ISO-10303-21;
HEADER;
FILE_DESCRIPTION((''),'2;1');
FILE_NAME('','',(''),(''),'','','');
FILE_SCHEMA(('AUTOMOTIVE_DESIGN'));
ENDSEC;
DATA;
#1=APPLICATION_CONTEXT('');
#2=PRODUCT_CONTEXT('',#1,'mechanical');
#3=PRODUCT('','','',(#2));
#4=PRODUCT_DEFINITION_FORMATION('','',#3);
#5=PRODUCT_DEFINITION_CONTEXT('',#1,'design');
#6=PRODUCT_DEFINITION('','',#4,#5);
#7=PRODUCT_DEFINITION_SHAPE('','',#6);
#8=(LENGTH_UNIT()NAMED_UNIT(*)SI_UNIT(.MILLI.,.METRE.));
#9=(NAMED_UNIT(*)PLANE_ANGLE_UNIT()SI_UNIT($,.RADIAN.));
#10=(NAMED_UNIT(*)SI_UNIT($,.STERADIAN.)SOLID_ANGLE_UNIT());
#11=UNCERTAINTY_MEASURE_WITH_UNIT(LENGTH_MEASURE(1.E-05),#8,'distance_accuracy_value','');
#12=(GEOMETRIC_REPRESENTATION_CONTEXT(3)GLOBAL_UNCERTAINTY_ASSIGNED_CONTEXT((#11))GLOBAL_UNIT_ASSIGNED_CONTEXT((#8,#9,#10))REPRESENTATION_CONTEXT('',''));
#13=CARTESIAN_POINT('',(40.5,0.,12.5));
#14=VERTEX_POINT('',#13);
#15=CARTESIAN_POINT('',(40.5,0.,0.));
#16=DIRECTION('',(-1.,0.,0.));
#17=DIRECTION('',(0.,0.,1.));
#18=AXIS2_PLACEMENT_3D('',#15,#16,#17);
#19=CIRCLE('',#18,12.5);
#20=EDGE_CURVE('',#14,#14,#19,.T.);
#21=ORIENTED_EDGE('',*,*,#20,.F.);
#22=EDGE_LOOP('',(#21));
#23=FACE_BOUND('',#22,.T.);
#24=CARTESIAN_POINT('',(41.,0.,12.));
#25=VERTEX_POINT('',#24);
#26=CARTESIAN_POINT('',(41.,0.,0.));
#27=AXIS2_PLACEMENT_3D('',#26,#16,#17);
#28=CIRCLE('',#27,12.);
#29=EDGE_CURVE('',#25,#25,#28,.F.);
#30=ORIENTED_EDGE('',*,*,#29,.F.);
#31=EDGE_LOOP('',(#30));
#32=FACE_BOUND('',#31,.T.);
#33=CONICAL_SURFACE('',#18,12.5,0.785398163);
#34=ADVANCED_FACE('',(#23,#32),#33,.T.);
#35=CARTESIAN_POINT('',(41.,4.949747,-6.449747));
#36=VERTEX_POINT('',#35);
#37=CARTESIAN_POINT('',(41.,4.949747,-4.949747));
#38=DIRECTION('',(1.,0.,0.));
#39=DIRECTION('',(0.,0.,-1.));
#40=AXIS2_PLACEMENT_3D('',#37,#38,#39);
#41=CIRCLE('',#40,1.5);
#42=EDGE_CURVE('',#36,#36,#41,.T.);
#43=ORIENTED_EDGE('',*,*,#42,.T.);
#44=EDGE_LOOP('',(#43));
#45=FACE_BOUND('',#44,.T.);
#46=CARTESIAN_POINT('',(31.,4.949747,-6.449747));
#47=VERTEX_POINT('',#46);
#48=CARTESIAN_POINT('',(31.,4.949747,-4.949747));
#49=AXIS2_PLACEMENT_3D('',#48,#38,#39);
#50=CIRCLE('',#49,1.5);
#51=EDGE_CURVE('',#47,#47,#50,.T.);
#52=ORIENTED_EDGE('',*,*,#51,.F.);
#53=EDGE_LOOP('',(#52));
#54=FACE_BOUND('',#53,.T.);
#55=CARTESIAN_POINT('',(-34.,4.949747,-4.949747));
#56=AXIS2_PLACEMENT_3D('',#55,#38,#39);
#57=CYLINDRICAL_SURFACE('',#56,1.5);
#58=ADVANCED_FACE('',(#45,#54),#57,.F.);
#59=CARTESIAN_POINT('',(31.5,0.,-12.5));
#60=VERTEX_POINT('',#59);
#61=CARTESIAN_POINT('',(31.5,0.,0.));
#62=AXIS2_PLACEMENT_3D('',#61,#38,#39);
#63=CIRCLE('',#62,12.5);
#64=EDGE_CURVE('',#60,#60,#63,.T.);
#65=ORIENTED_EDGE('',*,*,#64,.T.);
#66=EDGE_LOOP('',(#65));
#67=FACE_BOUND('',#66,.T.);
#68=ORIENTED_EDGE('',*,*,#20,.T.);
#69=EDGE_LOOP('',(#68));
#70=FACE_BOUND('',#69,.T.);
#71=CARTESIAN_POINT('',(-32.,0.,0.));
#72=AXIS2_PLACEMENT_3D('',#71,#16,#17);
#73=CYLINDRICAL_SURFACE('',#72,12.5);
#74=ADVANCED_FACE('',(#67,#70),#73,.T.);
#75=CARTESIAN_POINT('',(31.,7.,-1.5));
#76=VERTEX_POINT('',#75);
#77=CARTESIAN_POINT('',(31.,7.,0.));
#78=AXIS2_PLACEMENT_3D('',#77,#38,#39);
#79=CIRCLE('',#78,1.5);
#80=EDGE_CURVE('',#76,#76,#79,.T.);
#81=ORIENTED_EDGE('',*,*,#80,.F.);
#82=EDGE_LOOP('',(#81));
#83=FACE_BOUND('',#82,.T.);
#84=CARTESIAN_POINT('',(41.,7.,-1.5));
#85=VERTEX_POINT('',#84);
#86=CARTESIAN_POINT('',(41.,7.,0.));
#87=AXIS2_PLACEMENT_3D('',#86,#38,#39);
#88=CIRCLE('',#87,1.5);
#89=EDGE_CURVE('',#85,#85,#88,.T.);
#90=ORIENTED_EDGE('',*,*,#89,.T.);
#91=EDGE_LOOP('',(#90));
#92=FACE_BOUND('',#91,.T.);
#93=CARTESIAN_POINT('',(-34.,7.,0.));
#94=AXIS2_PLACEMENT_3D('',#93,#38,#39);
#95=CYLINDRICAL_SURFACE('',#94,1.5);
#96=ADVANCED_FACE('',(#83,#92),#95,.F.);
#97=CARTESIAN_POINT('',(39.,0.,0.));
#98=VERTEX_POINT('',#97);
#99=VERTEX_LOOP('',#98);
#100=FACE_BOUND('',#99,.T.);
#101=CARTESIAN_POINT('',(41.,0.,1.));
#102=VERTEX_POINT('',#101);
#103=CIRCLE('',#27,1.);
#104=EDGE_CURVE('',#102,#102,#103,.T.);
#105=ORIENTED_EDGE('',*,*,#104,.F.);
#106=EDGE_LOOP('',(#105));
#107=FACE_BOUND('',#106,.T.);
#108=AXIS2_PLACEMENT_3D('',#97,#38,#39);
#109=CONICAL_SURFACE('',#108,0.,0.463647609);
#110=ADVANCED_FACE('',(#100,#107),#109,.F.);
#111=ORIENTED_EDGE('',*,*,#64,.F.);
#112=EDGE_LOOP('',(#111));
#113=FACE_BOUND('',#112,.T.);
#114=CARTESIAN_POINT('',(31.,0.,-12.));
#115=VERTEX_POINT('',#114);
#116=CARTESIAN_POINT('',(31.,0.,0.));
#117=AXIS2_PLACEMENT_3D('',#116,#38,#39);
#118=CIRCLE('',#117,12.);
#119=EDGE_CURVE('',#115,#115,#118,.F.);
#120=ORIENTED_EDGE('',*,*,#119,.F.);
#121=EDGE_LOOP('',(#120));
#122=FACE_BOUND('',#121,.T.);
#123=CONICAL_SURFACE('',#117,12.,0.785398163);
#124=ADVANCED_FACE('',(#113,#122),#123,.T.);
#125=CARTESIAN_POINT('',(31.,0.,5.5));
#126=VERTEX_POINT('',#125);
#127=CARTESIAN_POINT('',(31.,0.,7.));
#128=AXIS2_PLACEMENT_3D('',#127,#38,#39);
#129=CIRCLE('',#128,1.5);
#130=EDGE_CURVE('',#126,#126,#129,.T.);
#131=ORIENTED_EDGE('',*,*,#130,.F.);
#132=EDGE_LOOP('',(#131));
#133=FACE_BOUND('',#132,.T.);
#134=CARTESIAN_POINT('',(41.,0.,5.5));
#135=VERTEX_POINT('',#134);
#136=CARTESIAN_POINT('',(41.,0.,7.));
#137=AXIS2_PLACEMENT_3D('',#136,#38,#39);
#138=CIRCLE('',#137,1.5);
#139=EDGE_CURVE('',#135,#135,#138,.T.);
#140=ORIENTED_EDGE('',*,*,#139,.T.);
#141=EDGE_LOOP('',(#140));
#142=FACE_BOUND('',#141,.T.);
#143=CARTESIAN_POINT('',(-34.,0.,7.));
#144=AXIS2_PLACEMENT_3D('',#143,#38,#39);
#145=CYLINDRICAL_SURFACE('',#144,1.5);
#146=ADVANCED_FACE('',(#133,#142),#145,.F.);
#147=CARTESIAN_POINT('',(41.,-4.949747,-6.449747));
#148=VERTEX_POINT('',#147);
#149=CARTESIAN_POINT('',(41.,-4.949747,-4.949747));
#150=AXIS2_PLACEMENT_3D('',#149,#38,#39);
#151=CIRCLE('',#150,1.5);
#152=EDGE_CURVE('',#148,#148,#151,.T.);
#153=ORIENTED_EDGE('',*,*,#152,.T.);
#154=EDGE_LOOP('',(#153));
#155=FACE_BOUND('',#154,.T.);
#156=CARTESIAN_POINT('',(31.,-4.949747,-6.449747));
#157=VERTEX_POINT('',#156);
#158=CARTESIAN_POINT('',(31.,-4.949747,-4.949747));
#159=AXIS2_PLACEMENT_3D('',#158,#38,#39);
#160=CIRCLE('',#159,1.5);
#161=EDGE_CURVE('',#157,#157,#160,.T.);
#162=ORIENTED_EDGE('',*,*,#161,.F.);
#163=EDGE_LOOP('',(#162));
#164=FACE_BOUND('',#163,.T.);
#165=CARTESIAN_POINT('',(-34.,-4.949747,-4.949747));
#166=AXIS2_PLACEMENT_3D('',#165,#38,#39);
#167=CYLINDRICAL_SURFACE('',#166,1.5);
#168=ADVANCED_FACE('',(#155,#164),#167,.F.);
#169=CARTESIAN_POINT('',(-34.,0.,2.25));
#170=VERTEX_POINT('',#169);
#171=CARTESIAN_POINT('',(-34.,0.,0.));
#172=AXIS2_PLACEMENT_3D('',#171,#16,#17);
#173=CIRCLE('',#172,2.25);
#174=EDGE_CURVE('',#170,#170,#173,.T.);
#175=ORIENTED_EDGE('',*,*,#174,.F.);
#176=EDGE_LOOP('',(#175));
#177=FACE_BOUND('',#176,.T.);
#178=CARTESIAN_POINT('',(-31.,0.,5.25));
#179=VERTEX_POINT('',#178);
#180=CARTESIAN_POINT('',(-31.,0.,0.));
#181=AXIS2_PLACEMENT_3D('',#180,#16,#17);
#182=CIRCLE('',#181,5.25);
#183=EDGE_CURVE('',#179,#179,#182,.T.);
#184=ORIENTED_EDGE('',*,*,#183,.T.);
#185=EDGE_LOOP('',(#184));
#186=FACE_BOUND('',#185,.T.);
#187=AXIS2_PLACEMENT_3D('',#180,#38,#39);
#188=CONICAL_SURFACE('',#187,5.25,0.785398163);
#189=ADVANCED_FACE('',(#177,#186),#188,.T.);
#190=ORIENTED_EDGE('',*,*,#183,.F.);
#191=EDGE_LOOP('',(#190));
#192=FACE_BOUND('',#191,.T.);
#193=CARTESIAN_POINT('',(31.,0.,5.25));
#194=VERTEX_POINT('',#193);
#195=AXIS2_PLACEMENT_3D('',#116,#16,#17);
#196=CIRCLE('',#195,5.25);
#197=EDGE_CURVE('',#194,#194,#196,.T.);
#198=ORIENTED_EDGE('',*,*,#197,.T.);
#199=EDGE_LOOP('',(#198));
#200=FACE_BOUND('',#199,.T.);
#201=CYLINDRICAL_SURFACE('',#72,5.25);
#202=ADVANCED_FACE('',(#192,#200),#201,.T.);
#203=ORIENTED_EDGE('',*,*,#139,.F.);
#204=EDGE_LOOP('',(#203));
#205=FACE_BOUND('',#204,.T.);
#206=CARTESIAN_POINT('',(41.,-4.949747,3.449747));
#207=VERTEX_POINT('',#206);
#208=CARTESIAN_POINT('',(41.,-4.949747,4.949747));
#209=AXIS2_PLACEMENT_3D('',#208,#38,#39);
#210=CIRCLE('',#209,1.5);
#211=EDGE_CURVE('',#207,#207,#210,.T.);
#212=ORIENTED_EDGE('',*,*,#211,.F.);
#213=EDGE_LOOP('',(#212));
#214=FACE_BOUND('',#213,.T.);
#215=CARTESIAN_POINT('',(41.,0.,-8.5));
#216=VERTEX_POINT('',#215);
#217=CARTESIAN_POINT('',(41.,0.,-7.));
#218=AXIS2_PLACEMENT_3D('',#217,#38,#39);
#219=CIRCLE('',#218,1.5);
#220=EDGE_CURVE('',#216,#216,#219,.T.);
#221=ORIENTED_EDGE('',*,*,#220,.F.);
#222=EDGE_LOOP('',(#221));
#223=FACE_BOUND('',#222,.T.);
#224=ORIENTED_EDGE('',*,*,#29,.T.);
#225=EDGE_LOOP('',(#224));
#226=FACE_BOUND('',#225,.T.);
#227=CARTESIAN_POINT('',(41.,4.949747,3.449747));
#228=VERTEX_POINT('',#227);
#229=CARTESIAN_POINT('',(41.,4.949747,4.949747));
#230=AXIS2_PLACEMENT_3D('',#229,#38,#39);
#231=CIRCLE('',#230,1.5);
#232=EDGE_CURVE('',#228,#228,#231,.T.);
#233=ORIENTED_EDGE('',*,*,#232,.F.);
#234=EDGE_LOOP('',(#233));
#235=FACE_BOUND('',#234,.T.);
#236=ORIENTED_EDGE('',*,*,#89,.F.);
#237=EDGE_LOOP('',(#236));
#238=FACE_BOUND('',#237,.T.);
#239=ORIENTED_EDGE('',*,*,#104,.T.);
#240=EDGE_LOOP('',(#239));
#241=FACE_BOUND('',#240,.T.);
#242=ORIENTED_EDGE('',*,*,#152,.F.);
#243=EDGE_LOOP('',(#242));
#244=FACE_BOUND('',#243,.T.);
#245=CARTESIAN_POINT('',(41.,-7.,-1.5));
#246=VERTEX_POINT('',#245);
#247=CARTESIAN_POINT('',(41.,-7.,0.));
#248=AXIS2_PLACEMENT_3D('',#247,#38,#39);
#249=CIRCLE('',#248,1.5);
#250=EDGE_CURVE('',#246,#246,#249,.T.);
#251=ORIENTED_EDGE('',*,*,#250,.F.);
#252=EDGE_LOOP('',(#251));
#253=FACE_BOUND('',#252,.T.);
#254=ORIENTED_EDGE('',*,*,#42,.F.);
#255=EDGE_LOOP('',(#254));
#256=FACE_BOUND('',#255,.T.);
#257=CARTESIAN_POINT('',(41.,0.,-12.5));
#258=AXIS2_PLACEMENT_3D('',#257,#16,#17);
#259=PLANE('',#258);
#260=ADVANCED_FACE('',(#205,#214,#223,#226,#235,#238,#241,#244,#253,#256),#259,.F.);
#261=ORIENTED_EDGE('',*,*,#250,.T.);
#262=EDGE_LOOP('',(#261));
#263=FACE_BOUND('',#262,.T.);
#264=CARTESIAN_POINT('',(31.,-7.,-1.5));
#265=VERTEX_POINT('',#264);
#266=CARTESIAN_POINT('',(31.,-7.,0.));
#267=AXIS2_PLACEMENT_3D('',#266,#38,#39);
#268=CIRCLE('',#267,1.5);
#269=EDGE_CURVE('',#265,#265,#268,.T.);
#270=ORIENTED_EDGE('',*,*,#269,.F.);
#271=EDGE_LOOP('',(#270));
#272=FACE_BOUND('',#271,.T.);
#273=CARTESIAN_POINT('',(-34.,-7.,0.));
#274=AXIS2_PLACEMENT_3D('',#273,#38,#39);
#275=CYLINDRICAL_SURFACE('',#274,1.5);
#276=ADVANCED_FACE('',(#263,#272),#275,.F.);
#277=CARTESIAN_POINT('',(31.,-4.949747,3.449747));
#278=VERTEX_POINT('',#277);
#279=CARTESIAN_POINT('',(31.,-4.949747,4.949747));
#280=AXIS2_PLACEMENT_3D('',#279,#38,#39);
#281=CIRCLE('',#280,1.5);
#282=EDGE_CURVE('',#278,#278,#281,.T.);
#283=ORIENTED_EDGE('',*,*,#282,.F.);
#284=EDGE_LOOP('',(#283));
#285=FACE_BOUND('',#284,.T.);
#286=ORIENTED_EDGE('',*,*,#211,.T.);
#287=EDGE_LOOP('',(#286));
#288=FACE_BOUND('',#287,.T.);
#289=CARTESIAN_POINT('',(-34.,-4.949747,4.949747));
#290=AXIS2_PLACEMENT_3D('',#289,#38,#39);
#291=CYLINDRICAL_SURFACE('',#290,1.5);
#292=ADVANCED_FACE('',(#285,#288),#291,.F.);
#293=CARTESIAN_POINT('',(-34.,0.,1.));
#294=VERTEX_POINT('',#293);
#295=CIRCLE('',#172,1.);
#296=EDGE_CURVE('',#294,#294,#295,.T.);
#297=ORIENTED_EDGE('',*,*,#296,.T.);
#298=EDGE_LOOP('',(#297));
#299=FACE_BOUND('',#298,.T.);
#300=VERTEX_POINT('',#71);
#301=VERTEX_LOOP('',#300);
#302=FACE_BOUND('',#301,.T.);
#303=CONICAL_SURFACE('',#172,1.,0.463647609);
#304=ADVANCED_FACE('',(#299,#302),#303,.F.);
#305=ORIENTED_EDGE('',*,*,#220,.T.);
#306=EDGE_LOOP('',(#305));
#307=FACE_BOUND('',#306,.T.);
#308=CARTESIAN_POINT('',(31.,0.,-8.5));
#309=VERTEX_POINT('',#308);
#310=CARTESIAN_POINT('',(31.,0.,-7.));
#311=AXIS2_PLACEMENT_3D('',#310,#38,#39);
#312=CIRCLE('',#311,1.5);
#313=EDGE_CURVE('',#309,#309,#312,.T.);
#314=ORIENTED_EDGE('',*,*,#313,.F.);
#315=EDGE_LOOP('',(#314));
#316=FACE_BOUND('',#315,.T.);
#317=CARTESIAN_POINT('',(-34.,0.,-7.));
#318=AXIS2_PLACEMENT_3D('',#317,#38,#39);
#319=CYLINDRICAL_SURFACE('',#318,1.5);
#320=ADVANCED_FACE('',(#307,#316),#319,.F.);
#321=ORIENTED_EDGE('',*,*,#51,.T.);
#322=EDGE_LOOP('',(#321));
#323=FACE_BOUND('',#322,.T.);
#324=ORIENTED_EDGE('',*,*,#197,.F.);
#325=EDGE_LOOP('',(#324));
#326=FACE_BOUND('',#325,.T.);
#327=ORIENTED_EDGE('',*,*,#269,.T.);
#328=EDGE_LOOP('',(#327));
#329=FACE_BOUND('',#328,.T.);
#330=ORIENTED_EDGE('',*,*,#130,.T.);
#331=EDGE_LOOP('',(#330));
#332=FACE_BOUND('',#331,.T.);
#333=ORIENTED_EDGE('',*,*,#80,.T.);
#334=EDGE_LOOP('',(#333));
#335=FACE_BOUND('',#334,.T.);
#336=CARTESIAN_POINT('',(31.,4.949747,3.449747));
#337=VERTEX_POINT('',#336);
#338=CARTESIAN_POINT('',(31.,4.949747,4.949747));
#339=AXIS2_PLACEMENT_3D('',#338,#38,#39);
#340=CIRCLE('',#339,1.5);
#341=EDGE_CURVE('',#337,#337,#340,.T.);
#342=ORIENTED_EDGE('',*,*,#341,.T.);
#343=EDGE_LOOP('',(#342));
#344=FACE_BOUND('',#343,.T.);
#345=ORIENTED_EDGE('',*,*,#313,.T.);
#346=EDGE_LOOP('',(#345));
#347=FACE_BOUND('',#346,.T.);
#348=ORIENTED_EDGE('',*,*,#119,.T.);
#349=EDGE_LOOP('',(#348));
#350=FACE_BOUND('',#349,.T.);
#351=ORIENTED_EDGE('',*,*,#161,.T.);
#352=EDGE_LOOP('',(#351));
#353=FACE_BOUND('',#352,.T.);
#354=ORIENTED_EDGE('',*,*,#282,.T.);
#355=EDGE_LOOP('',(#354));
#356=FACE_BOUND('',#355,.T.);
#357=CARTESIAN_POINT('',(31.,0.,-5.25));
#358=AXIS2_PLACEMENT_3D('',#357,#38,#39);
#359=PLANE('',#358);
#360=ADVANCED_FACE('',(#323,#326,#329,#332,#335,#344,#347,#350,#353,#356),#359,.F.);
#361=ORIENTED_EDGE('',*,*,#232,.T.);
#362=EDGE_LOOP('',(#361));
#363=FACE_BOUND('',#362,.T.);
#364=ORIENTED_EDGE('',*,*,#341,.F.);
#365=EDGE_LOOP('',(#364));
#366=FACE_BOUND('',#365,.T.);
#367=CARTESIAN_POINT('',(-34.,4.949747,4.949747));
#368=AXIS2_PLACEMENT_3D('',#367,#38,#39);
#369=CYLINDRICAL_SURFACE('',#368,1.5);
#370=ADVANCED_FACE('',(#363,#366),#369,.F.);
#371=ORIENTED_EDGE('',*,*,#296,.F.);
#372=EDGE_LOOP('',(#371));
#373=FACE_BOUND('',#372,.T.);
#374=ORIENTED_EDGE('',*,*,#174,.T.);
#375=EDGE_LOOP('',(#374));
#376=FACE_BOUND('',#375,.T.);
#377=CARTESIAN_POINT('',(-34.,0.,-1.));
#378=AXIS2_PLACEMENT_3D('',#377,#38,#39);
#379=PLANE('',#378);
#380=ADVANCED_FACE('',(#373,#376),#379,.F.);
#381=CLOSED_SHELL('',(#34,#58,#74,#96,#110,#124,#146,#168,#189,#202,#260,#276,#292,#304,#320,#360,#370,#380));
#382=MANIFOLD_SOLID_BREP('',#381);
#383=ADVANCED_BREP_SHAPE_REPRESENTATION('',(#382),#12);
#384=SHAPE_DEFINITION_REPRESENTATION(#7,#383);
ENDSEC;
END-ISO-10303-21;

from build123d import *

# Parameters (mm, degrees)
CHAMFER1_SIZE      = 0.5
SKETCH3_R          = 1.5
CUT_EXTRUDE1_DEPTH = 76


with BuildPart() as part:
    # Sketch2 → Revolve1 (revolve)
    with BuildSketch(Plane(origin=(0, 0, 0), x_dir=(1, 0, 0), z_dir=(0, 1, 0))):
        Polygon((-34, 1), (-34, 2.25), (-31, 5.25), (31, 5.25), (31, 12.5), (41, 12.5), (41, 1), (39, 0), (-32, 0), align=None)
    revolve(axis=Axis((-32, 0, 0), (1, 0, 0)))

    # Chamfer1
    chamfer1_edges = [part.edges().sort_by_distance(p)[0] for p in [
        (41, 0, 12.5),
        (31, 0, 12.5),
    ]]
    chamfer(chamfer1_edges, length=CHAMFER1_SIZE)

    # Sketch3 → Cut-Extrude1 (cut, through all)
    with BuildSketch(Plane(origin=(41, 0, 0), x_dir=(0, 0, -1), z_dir=(1, 0, 0))):
        with Locations((0, 7)):
            Circle(SKETCH3_R)
        with Locations((4.949747468, 4.949747468)):
            Circle(SKETCH3_R)
        with Locations((7, 0)):
            Circle(SKETCH3_R)
        with Locations((4.949747468, -4.949747468)):
            Circle(SKETCH3_R)
        with Locations((0, -7)):
            Circle(SKETCH3_R)
        with Locations((-4.949747468, -4.949747468)):
            Circle(SKETCH3_R)
        with Locations((-7, 0)):
            Circle(SKETCH3_R)
        with Locations((-4.949747468, 4.949747468)):
            Circle(SKETCH3_R)
    extrude(amount=-CUT_EXTRUDE1_DEPTH, mode=Mode.SUBTRACT)


solid = part.part
